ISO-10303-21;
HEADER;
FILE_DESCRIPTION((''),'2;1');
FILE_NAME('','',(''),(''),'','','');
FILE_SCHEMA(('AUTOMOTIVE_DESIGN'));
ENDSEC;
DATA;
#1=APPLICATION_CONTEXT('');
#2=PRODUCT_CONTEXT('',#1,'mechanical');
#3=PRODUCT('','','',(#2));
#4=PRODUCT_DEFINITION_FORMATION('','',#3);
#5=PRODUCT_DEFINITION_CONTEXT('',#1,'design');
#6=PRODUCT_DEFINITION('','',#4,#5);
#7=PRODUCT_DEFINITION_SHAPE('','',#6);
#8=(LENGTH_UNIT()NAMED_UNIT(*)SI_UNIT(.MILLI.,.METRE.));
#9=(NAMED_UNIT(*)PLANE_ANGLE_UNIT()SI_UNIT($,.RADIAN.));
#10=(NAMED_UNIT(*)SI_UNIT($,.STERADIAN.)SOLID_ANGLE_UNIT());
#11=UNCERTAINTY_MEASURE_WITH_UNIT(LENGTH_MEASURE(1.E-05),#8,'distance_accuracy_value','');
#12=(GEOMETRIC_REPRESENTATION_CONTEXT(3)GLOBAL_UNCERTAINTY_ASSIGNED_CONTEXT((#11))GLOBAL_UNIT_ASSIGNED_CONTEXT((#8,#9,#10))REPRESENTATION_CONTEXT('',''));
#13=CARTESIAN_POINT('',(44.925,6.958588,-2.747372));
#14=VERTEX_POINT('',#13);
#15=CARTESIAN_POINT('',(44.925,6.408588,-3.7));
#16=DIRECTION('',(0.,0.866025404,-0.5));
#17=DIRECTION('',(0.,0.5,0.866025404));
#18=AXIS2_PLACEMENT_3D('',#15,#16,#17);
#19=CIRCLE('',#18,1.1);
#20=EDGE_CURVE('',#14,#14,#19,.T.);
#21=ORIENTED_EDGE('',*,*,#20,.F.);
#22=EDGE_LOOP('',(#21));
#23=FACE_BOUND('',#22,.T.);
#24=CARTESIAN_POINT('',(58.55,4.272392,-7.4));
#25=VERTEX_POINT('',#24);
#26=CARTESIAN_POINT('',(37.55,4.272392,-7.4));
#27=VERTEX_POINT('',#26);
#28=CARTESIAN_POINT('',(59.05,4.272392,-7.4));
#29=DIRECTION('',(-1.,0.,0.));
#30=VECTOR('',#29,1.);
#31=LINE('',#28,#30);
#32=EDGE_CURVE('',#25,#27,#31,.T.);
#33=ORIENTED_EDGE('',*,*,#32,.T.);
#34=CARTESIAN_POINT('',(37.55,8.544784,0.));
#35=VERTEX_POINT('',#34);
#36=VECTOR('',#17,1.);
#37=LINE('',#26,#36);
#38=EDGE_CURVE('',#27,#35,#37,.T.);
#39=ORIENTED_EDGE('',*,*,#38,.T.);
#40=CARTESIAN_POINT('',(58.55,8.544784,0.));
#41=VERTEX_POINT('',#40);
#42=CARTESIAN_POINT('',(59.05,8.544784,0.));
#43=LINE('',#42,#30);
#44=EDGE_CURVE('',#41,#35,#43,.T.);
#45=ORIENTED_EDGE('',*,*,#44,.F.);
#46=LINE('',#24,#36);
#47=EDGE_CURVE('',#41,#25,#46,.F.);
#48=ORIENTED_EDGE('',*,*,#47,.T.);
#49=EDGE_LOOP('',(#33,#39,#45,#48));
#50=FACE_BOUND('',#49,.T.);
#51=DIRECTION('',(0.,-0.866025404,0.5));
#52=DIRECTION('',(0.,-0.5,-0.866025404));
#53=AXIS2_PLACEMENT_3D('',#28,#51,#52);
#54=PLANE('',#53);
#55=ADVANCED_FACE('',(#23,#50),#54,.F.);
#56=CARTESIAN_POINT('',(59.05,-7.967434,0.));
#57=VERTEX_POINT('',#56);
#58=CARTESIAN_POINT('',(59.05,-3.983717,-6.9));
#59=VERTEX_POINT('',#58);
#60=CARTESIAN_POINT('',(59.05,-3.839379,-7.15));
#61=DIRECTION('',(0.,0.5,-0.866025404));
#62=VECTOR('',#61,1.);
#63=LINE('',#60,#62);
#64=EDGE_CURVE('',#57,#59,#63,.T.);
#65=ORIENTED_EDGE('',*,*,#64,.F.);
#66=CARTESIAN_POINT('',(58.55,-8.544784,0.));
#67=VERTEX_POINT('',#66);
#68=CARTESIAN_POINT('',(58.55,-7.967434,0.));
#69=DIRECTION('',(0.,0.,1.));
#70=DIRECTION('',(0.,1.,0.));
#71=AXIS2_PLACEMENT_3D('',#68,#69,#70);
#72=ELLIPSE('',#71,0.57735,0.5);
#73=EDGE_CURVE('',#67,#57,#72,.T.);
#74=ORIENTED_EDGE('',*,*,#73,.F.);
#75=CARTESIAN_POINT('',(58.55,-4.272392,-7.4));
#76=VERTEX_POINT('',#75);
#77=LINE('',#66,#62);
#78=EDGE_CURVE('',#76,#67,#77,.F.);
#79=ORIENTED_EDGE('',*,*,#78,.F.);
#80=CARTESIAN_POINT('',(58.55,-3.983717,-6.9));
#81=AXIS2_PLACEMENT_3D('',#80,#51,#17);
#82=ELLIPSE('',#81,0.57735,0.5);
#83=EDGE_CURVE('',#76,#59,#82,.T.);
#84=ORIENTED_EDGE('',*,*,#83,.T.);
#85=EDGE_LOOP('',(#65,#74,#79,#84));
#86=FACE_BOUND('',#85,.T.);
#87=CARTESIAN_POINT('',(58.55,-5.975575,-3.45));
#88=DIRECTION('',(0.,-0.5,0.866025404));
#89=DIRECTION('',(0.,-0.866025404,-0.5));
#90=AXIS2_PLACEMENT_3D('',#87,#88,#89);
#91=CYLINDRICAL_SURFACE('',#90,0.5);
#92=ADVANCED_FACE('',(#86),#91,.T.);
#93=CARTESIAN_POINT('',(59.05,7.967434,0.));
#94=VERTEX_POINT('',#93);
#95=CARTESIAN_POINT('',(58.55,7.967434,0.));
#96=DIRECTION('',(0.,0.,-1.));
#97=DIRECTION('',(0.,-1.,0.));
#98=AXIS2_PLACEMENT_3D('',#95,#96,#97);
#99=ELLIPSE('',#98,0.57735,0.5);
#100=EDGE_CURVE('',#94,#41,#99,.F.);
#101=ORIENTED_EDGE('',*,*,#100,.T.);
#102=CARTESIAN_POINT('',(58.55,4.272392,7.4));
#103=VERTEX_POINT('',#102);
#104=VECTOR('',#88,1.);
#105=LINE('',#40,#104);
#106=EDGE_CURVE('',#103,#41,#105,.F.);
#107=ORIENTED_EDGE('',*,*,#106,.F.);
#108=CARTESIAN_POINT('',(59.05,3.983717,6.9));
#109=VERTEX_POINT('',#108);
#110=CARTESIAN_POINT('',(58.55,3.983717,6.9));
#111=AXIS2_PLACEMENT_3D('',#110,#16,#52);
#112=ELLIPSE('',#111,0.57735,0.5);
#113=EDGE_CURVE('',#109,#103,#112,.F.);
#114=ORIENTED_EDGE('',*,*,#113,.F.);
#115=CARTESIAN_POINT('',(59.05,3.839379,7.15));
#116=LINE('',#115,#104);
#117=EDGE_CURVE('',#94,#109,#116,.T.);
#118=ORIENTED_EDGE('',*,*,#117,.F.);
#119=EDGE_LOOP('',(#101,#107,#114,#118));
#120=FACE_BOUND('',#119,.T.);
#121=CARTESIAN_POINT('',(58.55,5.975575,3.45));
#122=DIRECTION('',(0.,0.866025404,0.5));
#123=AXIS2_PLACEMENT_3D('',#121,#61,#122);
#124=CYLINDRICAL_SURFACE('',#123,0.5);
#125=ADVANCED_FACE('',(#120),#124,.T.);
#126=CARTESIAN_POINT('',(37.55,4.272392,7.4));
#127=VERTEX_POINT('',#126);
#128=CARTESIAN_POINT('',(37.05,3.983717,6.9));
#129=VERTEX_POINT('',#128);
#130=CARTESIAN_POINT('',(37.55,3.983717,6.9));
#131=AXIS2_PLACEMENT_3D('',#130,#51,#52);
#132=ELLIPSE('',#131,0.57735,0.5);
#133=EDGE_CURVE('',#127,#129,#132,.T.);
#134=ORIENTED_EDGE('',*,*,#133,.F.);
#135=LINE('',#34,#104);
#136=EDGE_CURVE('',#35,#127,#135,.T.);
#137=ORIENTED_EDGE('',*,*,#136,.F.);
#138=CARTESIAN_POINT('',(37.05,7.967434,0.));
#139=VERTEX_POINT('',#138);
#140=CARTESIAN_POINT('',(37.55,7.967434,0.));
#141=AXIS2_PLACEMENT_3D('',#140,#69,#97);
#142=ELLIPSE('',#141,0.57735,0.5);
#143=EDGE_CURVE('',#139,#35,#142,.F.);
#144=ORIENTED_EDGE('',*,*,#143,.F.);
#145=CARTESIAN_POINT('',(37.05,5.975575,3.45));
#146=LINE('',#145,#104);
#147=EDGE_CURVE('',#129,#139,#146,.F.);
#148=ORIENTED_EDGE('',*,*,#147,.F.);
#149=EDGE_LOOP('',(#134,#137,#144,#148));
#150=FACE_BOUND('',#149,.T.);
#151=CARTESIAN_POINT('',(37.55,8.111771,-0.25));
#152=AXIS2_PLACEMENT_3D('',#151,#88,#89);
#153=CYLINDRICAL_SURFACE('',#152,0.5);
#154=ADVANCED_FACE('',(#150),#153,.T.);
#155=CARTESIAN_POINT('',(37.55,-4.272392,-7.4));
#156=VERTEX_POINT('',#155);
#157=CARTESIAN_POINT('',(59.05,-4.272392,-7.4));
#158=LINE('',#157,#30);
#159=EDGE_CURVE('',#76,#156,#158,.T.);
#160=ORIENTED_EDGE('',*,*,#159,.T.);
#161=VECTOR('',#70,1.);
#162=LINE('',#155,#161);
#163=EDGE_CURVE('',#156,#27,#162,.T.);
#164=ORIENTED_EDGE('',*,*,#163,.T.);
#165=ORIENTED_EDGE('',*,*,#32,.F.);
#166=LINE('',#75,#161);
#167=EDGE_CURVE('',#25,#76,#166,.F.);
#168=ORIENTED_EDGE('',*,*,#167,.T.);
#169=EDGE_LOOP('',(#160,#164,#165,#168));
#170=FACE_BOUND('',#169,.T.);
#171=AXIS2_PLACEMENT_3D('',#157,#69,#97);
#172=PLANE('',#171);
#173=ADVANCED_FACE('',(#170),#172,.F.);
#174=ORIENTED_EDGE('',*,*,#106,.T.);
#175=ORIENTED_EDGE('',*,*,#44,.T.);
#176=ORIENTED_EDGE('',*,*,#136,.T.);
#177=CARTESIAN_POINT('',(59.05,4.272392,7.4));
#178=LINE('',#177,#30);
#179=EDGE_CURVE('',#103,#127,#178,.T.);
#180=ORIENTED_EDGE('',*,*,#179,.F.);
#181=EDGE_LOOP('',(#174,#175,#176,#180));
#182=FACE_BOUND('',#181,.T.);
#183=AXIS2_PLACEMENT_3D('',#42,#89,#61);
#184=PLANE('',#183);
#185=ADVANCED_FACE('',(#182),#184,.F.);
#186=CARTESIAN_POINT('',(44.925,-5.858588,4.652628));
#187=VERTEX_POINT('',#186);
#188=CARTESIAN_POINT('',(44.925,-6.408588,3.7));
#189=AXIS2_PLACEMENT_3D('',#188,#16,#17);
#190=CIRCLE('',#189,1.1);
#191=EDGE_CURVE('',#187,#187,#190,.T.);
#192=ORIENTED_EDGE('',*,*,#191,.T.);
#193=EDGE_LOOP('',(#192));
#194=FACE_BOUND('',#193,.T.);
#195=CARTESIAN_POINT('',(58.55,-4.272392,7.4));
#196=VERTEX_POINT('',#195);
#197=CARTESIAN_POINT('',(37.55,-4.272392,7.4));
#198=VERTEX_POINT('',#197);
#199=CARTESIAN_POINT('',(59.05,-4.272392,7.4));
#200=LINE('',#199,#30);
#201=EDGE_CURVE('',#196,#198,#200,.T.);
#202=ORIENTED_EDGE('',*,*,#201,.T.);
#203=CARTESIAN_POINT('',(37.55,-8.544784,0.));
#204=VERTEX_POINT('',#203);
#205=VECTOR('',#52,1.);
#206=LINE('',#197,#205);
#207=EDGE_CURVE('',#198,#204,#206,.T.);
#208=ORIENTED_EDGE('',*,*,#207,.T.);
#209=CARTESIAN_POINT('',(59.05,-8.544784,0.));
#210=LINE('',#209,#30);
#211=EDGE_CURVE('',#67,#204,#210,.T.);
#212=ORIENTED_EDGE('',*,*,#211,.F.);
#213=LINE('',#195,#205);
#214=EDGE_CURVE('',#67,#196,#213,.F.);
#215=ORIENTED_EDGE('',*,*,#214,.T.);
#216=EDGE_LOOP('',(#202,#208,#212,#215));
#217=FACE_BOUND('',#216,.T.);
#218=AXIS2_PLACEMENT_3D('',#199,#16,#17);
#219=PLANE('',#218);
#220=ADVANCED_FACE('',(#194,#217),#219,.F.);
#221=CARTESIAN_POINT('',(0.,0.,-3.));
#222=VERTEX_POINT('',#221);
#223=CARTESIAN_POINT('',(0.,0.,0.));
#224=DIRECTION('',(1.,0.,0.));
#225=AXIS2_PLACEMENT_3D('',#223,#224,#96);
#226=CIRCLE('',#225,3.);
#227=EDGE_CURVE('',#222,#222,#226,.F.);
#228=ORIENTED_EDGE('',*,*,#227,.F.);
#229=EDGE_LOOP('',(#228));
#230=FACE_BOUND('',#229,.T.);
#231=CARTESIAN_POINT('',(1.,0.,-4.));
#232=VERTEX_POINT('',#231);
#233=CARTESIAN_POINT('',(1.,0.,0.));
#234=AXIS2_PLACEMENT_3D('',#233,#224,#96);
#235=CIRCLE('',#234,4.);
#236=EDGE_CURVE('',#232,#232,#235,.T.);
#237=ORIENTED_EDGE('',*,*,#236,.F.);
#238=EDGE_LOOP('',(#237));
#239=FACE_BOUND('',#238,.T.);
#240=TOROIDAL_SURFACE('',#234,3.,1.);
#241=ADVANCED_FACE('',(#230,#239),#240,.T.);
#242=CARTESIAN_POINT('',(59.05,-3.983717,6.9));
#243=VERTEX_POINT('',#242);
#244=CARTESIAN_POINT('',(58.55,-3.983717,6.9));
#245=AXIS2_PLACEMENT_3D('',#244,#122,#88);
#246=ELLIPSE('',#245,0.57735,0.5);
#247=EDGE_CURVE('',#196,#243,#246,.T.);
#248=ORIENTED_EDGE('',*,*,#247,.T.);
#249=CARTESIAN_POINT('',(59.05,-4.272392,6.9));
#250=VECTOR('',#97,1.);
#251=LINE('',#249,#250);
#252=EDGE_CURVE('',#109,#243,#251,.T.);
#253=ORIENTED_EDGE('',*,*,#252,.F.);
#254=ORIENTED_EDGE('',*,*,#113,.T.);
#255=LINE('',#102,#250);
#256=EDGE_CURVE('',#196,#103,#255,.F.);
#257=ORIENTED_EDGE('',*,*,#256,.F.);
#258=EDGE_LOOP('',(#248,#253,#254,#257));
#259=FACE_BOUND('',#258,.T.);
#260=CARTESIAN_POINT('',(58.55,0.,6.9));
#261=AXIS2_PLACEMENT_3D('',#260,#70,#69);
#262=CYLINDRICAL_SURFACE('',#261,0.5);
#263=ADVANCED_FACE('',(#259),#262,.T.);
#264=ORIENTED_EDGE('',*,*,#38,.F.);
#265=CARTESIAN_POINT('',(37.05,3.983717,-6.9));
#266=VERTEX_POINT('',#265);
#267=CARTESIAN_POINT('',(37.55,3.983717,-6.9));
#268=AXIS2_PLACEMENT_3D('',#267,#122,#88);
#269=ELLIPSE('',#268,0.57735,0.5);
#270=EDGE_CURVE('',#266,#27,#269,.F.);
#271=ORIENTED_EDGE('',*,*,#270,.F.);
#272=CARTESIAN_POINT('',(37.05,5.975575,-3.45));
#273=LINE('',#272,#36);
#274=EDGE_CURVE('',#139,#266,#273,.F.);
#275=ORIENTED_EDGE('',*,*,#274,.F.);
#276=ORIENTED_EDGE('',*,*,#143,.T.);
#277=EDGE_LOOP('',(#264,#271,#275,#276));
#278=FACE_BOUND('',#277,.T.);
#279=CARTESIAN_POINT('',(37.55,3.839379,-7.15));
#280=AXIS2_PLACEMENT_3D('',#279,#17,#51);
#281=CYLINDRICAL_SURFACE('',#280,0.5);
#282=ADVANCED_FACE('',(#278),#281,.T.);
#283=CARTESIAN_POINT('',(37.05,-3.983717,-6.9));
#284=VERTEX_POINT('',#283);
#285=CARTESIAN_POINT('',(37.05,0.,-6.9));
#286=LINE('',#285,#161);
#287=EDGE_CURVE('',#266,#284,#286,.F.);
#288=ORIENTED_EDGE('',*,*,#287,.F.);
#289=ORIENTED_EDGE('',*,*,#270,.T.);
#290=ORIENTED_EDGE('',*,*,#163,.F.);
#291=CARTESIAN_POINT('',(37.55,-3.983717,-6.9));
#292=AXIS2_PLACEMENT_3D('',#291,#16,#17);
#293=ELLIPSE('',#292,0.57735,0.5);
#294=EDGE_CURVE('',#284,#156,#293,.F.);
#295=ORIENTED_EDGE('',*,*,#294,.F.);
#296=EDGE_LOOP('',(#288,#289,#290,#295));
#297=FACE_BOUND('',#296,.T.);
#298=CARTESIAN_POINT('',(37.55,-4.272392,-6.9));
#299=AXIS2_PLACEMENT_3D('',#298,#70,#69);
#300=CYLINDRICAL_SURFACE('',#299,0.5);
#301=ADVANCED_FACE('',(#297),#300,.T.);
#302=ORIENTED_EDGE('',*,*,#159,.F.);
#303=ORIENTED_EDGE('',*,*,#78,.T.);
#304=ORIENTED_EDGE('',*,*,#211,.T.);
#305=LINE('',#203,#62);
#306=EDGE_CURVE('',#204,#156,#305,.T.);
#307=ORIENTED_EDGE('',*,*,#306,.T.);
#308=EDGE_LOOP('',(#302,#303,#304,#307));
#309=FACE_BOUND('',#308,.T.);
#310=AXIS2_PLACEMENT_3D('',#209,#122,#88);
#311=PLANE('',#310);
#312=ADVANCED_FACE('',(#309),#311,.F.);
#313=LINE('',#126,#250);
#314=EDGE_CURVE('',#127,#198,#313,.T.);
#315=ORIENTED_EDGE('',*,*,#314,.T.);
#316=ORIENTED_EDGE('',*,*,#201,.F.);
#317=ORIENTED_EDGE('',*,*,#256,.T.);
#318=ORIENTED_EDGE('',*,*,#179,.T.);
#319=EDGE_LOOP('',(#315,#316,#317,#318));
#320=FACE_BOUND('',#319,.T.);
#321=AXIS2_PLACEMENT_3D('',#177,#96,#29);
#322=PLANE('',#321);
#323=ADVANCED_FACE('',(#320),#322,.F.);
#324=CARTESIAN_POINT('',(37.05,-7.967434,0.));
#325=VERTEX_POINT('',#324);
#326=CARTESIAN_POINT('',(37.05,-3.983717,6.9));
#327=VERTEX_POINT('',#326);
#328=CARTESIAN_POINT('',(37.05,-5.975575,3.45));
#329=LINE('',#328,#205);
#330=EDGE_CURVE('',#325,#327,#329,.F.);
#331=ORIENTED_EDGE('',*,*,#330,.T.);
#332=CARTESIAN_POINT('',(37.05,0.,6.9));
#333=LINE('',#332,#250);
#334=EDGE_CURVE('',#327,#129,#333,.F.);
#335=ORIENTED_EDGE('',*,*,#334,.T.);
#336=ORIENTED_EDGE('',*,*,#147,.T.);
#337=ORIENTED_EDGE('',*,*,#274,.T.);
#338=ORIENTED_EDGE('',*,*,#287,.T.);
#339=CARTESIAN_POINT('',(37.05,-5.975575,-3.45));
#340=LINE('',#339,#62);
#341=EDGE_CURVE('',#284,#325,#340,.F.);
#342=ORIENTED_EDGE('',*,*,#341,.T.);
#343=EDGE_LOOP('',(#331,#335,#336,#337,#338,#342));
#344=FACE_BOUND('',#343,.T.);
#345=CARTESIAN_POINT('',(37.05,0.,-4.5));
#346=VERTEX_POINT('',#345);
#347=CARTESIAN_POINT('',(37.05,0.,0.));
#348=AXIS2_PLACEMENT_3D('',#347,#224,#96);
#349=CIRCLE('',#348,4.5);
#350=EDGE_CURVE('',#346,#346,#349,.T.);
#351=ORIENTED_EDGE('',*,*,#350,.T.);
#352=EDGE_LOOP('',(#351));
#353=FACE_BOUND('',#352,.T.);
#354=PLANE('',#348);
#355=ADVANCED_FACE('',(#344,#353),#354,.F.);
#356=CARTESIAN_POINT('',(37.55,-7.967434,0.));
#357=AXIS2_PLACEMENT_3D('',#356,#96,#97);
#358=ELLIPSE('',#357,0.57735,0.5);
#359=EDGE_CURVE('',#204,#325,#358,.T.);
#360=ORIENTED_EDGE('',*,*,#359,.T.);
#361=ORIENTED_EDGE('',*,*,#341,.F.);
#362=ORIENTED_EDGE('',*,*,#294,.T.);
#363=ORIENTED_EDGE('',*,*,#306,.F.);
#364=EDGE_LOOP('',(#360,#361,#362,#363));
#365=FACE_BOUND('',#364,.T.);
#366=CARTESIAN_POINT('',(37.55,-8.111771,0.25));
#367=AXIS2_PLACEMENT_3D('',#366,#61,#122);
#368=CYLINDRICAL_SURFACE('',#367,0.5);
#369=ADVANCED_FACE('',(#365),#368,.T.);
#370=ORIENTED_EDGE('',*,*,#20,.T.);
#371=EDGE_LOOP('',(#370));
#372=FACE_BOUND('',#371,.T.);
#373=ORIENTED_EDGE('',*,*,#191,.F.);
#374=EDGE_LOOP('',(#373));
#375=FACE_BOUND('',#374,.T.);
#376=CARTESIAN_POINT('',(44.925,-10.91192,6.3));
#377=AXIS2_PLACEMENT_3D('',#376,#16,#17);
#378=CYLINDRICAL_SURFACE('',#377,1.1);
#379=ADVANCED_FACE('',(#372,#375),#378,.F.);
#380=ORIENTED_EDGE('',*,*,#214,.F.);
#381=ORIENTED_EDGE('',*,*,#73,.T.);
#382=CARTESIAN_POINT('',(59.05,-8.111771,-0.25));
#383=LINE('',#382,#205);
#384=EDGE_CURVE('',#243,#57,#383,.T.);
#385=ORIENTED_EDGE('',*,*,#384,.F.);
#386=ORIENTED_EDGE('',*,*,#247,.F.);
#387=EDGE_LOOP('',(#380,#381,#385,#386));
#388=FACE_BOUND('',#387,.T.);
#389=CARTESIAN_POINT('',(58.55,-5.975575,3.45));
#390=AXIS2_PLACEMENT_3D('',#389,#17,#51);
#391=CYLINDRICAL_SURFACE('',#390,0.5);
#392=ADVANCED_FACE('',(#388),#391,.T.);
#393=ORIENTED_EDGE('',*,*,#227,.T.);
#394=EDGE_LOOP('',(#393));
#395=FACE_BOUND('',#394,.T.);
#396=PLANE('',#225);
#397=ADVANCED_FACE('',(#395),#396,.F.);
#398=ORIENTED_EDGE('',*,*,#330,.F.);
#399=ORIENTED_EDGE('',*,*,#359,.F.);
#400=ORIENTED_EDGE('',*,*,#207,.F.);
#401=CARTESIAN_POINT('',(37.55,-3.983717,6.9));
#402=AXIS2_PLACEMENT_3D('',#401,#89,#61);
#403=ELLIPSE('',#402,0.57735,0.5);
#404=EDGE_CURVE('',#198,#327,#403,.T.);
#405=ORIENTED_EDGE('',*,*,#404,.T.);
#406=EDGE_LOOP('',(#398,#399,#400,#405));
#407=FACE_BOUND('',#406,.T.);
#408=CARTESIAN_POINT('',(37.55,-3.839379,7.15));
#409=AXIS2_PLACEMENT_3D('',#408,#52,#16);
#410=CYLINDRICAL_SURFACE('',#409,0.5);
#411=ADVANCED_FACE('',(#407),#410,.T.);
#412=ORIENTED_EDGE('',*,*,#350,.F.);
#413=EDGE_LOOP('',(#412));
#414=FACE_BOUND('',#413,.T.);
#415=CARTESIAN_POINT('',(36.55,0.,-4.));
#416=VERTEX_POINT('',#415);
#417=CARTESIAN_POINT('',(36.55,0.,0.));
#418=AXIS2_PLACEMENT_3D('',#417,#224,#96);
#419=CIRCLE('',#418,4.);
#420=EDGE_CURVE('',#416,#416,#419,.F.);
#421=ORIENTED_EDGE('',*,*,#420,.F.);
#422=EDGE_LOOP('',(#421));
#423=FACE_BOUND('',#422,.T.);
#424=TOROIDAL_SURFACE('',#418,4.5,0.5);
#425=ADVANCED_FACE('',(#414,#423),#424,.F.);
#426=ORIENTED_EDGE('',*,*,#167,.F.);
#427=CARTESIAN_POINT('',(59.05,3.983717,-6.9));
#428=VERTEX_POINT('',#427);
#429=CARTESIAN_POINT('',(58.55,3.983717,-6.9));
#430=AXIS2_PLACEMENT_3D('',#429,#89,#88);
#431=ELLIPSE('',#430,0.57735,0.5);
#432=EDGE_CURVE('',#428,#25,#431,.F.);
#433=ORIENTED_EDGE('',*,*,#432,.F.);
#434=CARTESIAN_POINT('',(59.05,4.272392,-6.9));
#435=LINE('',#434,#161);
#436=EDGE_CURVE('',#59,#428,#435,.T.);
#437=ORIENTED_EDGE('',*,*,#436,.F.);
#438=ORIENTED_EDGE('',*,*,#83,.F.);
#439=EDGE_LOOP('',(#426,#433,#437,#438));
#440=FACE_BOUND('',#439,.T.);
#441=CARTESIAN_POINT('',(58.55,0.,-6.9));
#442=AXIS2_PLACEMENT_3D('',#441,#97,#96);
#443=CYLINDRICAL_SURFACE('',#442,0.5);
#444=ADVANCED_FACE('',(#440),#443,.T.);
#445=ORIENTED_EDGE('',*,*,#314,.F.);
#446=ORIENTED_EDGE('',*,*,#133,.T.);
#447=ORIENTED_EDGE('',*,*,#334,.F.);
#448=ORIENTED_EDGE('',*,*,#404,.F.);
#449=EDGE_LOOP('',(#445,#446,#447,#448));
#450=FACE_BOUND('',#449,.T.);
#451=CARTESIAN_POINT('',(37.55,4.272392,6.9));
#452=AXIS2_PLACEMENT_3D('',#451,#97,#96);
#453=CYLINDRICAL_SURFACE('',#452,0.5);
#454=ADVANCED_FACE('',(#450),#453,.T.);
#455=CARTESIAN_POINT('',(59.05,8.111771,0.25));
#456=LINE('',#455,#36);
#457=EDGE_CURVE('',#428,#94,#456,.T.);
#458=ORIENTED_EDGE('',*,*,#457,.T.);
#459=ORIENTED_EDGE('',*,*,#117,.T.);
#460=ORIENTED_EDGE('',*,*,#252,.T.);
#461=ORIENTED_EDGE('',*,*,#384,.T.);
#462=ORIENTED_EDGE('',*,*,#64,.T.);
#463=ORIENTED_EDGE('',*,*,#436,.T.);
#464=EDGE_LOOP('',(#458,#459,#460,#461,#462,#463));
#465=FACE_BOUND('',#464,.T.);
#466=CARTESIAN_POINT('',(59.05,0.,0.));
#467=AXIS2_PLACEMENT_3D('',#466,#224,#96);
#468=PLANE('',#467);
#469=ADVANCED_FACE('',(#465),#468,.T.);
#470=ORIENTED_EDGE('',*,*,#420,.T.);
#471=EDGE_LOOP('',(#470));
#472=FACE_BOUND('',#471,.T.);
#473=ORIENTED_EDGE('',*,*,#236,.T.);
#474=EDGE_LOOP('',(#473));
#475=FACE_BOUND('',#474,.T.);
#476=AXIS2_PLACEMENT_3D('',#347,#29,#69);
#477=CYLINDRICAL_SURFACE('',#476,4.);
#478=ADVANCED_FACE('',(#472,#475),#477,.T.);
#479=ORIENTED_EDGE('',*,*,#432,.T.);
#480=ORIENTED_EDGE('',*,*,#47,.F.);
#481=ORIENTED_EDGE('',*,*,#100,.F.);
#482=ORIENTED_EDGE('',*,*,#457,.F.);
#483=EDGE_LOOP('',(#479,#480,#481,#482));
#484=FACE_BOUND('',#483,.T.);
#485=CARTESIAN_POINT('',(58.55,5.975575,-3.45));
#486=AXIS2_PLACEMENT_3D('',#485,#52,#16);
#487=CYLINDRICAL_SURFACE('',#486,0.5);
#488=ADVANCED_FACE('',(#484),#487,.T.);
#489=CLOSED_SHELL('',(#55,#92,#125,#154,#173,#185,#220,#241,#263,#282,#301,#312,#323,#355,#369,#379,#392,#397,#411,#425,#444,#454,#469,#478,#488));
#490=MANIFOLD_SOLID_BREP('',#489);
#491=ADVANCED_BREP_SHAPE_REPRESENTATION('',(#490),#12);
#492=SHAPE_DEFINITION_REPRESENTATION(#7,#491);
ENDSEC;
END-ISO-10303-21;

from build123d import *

# Parameters (mm, degrees)
CROQUIS1_R              = 4
SALIENTE_EXTRUIR1_DEPTH = 37.05
SALIENTE_EXTRUIR2_DEPTH = 22
REDONDEO1_R             = 0.5
REDONDEO2_R             = 1
CROQUIS3_R              = 1.1
CORTAR_EXTRUIR1_DEPTH   = 20


with BuildPart() as part:
    # Croquis1 → Saliente-Extruir1 (new body)
    with BuildSketch(Plane(origin=(0, 0, 0), x_dir=(0, 0, -1), z_dir=(1, 0, 0))):
        Circle(CROQUIS1_R)
    extrude(amount=SALIENTE_EXTRUIR1_DEPTH)

    # Croquis2 → Saliente-Extruir2 (add)
    with BuildSketch(Plane(origin=(37.05, 0, 0), x_dir=(0, 0, -1), z_dir=(1, 0, 0))):
        Polygon((0, -8.544783984), (7.4, -4.272391992), (7.4, 4.272391992), (0, 8.544783984), (-7.4, 4.272391992), (-7.4, -4.272391992), align=None)
    extrude(amount=SALIENTE_EXTRUIR2_DEPTH)

    # Redondeo1
    redondeo1_edges = [part.edges().sort_by_distance(p)[0] for p in [
        (37.05, 0, 4),
        (37.05, -6.408587988, 3.7),
        (37.05, -6.408587988, -3.7),
        (37.05, 0, -7.4),
        (37.05, 6.408587988, -3.7),
        (37.05, 6.408587988, 3.7),
        (37.05, 0, 7.4),
        (59.05, -6.408587988, 3.7),
        (59.05, -6.408587988, -3.7),
        (59.05, 0, -7.4),
        (59.05, 6.408587988, -3.7),
        (59.05, 6.408587988, 3.7),
        (59.05, 0, 7.4),
    ]]
    fillet(redondeo1_edges, radius=REDONDEO1_R)

    # Redondeo2
    redondeo2_edges = [part.edges().sort_by_distance(p)[0] for p in [
        (0, 0, 4),
    ]]
    fillet(redondeo2_edges, radius=REDONDEO2_R)

    # Croquis3 → Cortar-Extruir1 (cut)
    with BuildSketch(Plane(origin=(0, 6.408587988, -3.7), x_dir=(1, 0, 0), z_dir=(0, 0.8660254037844386, -0.5000000000000003))):
        with Locations(Location((44.925, 0, 0), (0, 0, 270))):
            Circle(CROQUIS3_R)
    extrude(amount=-CORTAR_EXTRUIR1_DEPTH, mode=Mode.SUBTRACT)


solid = part.part
